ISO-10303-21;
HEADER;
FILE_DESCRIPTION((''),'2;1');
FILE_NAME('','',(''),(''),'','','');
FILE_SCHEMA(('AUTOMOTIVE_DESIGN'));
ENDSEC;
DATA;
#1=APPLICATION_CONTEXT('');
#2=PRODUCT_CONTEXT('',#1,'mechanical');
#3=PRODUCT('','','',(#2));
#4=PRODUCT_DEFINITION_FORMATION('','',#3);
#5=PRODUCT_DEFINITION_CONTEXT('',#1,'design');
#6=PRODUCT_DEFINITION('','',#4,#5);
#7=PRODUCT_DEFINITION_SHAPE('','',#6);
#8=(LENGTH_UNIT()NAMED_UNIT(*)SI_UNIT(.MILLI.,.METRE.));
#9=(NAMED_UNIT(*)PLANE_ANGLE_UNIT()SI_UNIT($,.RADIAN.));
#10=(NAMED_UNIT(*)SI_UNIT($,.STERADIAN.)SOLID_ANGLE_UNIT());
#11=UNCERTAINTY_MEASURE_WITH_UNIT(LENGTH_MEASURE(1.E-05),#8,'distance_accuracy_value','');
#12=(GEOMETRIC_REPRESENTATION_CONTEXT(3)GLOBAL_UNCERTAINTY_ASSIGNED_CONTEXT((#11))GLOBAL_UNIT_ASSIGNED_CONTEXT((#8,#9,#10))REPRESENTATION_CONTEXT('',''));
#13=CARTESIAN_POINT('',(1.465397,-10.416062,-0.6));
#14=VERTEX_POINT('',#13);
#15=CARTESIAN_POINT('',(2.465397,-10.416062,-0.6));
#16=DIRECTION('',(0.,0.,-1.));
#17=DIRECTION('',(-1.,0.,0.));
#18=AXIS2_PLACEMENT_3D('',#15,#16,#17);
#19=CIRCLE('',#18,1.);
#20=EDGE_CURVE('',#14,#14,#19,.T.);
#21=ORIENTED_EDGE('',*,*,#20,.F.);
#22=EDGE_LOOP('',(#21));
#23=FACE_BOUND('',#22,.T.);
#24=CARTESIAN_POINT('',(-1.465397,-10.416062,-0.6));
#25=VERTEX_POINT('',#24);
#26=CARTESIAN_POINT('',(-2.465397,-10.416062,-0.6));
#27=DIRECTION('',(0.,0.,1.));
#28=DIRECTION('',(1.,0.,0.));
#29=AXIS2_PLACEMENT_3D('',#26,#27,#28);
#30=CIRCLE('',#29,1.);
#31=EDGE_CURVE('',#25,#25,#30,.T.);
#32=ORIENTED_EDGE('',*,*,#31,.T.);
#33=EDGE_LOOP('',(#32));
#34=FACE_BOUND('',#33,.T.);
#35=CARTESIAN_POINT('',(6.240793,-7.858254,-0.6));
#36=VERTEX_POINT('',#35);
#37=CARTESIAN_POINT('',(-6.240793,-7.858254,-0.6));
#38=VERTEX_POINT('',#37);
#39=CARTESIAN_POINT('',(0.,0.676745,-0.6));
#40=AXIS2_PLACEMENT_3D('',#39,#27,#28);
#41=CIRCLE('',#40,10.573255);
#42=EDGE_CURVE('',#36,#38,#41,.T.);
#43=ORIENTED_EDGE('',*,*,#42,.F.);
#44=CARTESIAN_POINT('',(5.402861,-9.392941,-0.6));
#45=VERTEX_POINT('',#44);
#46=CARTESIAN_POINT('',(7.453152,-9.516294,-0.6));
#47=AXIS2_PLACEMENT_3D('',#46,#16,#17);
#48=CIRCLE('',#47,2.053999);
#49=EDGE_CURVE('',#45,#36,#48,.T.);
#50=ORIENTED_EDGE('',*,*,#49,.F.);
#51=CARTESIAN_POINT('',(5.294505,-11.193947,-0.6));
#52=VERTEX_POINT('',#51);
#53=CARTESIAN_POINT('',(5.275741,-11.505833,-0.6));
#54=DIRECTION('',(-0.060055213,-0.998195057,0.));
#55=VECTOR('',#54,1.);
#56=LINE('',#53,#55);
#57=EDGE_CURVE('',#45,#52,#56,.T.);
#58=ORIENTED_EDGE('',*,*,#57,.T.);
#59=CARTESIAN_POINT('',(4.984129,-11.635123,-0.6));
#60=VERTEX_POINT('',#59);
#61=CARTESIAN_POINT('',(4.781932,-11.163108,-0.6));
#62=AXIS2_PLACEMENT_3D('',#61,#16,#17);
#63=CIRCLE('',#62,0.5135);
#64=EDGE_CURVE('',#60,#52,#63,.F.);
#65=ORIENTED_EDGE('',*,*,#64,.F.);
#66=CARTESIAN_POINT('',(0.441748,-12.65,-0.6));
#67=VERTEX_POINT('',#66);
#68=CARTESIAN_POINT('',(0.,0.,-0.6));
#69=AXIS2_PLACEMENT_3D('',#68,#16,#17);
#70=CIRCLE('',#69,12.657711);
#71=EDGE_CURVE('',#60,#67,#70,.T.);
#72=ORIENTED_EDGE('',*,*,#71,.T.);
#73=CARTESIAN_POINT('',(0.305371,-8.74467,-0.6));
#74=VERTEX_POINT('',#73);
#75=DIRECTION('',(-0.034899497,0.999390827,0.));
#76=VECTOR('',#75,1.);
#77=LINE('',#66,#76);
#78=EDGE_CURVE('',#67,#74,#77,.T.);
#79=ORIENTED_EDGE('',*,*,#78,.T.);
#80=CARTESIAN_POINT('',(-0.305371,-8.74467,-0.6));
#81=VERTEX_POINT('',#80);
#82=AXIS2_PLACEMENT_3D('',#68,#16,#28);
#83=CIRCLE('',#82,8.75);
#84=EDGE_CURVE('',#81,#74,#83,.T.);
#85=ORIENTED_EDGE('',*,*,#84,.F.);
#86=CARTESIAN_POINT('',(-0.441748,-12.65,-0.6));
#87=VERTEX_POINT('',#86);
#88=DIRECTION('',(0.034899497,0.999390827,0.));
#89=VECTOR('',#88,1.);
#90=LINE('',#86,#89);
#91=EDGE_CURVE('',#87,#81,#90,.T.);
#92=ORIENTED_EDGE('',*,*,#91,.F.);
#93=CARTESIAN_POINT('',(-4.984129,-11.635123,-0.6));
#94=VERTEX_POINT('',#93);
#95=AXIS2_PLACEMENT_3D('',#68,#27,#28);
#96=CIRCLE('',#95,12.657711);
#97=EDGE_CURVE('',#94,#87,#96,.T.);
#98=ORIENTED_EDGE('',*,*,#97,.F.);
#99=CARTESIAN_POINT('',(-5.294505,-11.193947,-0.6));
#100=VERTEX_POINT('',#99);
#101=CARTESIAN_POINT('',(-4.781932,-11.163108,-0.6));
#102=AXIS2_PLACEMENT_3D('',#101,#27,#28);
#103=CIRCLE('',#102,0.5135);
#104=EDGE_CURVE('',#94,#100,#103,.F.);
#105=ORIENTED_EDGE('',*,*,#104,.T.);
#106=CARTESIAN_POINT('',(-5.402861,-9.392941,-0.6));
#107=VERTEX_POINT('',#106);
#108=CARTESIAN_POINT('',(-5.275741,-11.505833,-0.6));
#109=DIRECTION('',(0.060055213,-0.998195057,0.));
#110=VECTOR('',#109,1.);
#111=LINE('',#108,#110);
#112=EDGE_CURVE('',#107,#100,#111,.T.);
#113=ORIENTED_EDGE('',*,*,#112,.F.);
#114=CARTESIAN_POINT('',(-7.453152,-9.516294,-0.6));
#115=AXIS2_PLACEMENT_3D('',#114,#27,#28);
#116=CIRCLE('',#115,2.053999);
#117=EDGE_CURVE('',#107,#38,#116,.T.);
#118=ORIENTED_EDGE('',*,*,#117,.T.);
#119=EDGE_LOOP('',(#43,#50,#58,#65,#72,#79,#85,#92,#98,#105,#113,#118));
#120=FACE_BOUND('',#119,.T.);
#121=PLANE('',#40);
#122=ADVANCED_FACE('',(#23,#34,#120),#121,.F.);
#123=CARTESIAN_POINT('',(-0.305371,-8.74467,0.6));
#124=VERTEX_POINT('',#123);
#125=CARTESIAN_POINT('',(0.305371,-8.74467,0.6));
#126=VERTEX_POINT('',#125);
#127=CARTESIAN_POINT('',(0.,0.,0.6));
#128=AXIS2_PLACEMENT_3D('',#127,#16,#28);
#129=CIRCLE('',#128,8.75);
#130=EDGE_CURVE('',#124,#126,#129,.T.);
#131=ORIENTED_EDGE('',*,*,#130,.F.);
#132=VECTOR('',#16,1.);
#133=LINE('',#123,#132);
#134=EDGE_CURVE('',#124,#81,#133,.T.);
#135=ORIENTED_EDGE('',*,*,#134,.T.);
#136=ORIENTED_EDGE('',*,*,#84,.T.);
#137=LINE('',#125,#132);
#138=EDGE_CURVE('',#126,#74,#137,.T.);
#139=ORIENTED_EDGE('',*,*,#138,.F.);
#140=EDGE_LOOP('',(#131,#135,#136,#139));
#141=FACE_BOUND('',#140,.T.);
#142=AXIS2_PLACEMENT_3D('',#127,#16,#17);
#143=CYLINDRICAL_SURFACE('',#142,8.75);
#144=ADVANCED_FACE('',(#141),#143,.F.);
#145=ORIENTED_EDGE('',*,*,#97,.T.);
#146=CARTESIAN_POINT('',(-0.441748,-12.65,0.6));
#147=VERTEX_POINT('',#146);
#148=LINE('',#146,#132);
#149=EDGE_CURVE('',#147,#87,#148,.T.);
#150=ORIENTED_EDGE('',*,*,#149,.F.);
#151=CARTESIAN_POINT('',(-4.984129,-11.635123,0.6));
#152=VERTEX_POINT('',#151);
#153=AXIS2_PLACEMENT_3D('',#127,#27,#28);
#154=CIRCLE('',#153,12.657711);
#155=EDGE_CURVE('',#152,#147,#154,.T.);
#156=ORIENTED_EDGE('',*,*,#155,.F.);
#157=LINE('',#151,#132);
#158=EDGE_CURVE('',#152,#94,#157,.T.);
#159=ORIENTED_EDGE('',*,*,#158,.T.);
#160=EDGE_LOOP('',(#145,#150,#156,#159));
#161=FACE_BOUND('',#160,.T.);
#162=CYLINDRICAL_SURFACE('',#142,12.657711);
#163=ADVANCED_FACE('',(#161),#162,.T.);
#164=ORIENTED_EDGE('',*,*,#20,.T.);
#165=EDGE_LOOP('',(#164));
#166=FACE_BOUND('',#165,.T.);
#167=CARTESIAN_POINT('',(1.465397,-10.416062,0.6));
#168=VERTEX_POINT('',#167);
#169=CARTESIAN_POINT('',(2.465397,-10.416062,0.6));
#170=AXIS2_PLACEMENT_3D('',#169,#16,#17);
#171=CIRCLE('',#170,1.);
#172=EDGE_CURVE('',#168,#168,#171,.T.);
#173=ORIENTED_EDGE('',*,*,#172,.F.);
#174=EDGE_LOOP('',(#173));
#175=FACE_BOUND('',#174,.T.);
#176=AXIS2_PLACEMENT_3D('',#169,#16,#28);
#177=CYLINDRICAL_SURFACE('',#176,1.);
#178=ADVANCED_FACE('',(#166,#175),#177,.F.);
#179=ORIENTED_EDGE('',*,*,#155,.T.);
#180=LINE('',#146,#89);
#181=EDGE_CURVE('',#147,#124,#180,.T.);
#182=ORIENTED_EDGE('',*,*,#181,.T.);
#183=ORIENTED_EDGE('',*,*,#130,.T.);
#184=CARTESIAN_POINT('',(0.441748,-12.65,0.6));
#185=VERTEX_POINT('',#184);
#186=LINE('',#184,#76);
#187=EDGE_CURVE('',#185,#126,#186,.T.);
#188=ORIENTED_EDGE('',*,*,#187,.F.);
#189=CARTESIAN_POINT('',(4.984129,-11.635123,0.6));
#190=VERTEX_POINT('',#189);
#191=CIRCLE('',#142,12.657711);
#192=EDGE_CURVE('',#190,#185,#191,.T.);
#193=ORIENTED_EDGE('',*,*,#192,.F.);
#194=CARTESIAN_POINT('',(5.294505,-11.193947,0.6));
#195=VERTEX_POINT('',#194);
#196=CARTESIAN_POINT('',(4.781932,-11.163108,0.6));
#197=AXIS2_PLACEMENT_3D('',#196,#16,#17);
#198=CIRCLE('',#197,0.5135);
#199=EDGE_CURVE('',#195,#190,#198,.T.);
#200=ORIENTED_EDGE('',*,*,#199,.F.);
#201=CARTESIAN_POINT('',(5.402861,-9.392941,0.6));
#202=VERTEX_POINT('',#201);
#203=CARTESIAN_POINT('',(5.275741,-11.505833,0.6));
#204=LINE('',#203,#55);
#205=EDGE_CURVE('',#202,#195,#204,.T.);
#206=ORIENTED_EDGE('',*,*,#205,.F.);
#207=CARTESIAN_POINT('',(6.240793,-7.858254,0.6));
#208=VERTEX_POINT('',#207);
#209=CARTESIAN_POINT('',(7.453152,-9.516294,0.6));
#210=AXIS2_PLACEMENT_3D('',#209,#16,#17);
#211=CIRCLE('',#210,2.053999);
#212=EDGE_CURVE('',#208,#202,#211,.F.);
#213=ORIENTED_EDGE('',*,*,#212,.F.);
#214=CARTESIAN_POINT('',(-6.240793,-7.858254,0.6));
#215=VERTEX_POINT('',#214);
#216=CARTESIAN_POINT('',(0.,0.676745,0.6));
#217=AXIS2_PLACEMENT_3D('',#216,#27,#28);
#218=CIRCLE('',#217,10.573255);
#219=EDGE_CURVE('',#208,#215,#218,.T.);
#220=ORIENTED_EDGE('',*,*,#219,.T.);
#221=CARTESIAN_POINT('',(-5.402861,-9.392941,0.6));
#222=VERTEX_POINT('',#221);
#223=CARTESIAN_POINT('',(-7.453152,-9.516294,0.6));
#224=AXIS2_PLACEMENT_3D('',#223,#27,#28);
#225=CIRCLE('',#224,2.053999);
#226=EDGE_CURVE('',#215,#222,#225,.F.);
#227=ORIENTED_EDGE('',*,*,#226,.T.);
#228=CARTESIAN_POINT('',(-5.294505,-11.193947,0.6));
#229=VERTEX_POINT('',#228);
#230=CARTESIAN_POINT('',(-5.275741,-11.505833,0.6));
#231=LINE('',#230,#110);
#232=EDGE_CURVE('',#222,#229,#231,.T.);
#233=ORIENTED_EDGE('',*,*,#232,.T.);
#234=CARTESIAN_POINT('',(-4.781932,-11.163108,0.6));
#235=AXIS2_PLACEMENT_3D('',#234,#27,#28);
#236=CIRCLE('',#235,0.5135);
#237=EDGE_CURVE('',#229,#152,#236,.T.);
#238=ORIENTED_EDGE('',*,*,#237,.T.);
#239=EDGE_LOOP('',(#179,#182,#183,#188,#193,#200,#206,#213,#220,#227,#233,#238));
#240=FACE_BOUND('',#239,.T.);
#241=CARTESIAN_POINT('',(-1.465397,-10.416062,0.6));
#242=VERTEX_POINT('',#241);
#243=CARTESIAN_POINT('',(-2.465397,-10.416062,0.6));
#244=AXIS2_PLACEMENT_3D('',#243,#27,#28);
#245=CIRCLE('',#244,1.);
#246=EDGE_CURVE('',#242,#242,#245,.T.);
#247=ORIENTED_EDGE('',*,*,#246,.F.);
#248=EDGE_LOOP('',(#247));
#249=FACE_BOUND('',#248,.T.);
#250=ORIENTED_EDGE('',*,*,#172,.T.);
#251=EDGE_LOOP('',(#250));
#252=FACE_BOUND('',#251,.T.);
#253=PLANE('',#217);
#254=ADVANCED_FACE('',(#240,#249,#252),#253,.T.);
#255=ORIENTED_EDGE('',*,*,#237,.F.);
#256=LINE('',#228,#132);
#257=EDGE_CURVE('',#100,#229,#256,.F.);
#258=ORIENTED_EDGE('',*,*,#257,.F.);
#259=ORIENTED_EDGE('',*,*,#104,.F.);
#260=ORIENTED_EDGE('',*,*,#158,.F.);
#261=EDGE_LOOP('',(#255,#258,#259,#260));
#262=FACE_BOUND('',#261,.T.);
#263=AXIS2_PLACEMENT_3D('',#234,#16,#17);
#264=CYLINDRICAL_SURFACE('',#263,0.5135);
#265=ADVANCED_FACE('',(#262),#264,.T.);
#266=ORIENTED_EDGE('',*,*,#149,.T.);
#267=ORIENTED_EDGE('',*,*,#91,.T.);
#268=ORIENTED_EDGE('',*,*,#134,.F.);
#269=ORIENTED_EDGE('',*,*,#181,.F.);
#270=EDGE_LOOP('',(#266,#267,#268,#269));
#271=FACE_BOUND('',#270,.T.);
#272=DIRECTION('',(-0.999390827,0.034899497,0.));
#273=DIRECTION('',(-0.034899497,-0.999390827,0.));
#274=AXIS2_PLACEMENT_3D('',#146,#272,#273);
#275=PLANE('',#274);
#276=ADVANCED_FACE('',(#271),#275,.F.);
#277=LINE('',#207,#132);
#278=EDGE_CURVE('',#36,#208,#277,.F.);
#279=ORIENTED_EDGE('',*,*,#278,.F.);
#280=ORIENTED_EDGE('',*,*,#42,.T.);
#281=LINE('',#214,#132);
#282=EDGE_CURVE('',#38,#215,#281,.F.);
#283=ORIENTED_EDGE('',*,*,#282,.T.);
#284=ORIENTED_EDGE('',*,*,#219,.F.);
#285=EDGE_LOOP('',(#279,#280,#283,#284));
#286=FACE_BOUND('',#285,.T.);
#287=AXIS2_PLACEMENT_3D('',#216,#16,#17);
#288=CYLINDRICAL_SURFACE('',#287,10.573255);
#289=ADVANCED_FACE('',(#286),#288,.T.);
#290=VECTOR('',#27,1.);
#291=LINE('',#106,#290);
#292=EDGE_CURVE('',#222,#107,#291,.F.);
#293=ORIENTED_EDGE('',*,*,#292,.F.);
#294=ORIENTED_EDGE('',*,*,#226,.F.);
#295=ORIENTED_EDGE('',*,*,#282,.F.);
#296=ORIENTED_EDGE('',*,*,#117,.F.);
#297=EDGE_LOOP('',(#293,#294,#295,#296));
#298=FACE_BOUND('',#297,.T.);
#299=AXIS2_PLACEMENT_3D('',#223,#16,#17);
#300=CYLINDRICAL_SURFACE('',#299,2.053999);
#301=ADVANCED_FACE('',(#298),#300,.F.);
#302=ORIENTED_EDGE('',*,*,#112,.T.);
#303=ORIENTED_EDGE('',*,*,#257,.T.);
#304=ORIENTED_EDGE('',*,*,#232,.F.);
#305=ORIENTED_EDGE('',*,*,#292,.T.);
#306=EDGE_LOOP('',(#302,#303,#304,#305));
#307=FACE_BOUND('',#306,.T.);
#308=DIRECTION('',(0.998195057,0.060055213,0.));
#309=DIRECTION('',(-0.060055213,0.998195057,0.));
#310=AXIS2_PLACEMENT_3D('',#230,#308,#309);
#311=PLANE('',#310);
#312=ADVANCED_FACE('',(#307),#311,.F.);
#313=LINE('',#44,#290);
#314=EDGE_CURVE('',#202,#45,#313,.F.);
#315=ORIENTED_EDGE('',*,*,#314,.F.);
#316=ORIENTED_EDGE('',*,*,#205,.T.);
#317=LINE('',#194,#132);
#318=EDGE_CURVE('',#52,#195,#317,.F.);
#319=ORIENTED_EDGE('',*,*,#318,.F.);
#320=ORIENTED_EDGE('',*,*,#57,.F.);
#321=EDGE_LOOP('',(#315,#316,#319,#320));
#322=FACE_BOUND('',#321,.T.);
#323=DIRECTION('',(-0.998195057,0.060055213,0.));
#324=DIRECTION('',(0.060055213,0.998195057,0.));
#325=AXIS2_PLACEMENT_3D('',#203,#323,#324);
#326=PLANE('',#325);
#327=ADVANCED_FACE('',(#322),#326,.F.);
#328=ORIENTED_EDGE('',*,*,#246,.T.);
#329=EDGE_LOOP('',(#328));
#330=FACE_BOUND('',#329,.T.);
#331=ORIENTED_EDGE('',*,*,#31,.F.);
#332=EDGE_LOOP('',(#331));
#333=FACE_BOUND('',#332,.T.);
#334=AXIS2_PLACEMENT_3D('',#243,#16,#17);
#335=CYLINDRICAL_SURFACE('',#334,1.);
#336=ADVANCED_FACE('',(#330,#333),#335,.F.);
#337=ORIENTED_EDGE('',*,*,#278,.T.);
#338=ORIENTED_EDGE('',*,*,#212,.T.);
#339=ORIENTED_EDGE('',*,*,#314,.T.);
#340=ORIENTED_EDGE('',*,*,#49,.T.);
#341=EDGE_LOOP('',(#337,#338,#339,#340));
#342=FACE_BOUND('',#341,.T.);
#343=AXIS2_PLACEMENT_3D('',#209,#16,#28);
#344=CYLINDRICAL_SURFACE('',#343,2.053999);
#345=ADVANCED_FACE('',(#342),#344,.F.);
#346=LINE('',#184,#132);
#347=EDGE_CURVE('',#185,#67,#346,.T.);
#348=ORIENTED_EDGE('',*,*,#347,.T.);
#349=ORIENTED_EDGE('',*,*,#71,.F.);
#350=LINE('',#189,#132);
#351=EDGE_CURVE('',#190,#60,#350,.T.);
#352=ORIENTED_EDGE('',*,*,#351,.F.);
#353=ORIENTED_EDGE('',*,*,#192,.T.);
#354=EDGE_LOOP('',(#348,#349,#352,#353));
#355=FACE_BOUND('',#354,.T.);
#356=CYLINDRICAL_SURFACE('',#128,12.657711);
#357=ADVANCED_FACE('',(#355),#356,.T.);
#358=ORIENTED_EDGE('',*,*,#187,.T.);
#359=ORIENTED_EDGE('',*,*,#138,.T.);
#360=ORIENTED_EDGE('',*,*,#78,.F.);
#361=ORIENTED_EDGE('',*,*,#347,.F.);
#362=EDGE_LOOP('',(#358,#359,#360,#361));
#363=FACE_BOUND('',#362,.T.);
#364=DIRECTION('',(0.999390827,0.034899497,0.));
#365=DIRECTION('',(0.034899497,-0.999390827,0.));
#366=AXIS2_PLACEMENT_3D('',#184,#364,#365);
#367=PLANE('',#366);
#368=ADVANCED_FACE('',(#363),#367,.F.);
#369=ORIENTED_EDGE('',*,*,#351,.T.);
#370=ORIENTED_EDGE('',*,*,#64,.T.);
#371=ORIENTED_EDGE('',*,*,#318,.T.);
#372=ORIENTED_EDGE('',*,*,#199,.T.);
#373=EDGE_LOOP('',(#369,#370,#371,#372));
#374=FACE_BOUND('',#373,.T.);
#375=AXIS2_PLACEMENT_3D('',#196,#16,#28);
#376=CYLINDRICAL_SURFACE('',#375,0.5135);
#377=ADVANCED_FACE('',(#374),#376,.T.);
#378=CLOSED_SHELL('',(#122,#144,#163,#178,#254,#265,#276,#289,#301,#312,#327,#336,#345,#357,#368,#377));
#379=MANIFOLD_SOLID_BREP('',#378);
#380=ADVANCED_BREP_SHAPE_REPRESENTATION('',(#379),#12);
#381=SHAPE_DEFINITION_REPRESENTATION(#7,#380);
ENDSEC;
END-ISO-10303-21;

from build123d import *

# Parameters (mm, degrees)
SKETCH4_R           = 1
BOSS_EXTRUDE1_DEPTH = 0.6
FILLET1_R           = 2.053998645
FILLET2_R           = 0.513499661


with BuildPart() as part:
    # Sketch4 → Boss-Extrude1 (new, symmetric)
    with BuildSketch(Plane.XY):
        with BuildLine():
            Line((-5.275740901, -11.50583326), (-5.464092731, -8.37518302))
            ThreePointArc((-5.464092731, -8.37518302), (-10.185824929, 3.512708233), (0, 11.25))
            Line((0, 11.25), (0, 8.75))
            ThreePointArc((0, 8.75), (-8.748667333, 0.152708556), (-0.305370596, -8.744669736))
            Line((-0.305370596, -8.744669736), (-0.441747734, -12.65))
            ThreePointArc((-0.441747734, -12.65), (-2.915424233, -12.317383756), (-5.275740901, -11.50583326))
        make_face()
        with Locations((-2.465396783, -10.416061561)):
            Circle(SKETCH4_R, mode=Mode.SUBTRACT)
    extrude(amount=BOSS_EXTRUDE1_DEPTH, both=True)

    # Fillet1
    fillet1_edges = [part.edges().sort_by_distance(p)[0] for p in [
        (-5.464092731, -8.37518302, 0),
    ]]
    fillet(fillet1_edges, radius=FILLET1_R)

    # Fillet2
    fillet2_edges = [part.edges().sort_by_distance(p)[0] for p in [
        (-5.275740901, -11.50583326, 0),
    ]]
    fillet(fillet2_edges, radius=FILLET2_R)

    # Mirror1: part across plane


with BuildPart() as part_1:
    add(part.part)
    add(part.part.mirror(Plane(origin=(0, 11.25, 0.6), x_dir=(0, 0, 1), z_dir=(-1, 0, 0))))


solid = part_1.part
